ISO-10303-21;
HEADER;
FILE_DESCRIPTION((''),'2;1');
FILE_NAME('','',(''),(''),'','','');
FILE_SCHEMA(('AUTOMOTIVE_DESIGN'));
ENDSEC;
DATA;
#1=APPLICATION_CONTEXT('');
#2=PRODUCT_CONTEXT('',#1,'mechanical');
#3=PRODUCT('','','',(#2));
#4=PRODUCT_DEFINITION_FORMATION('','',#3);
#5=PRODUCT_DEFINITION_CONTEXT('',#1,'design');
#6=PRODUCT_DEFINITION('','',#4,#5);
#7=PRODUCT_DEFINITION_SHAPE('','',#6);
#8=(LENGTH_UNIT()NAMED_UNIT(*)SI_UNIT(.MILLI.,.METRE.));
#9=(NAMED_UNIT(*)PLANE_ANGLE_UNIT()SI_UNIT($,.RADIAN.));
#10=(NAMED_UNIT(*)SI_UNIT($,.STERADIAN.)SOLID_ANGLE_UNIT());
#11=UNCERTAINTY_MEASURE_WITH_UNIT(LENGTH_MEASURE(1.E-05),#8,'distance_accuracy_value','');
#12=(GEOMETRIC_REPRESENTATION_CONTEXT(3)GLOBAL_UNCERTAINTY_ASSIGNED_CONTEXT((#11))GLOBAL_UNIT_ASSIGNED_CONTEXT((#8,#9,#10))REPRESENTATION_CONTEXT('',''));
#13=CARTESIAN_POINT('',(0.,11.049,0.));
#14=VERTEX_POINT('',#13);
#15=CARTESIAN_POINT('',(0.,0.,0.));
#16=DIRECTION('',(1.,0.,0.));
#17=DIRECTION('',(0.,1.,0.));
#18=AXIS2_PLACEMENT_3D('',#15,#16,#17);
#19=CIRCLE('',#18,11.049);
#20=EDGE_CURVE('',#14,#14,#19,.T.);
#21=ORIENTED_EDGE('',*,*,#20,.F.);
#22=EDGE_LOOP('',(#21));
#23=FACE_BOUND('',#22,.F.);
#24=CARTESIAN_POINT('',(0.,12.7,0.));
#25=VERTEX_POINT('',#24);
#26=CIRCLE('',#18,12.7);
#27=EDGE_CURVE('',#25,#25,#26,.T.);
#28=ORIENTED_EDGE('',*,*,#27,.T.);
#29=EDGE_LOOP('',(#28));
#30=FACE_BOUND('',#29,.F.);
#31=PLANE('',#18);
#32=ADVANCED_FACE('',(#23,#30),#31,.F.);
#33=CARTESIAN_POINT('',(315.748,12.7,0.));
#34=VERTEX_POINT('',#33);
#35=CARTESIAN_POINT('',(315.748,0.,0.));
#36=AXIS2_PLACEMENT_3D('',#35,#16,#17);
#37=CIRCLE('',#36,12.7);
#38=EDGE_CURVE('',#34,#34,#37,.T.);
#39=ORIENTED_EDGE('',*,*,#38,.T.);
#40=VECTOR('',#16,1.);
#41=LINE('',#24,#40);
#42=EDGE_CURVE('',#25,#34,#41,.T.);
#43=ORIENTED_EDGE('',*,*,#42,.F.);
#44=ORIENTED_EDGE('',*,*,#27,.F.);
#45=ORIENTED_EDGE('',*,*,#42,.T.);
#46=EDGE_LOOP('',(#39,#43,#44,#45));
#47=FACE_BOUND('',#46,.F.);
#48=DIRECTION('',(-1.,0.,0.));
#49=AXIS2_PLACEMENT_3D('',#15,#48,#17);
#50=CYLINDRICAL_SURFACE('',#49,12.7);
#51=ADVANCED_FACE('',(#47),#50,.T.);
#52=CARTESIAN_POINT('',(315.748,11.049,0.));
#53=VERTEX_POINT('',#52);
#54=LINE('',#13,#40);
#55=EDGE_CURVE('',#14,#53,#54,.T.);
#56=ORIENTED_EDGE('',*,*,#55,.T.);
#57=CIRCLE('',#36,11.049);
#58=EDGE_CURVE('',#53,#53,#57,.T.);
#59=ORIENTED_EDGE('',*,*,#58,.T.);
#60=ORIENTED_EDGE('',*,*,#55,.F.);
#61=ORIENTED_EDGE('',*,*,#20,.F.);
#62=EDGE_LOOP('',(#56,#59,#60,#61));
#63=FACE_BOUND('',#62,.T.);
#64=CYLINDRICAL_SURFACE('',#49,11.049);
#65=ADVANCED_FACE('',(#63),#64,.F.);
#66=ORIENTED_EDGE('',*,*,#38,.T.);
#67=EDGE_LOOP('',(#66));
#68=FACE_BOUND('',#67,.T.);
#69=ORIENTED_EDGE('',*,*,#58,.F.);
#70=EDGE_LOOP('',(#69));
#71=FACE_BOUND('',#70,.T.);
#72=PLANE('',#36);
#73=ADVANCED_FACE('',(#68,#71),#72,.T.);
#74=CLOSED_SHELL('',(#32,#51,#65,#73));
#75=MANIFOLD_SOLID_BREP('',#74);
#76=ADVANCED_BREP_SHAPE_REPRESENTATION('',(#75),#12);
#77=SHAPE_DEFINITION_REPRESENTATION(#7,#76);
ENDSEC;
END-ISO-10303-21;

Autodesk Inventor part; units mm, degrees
ref_plane "XZ Plane" through (0, 0, 0) normal (0, 1, 0) x (-1, 0, 0)
ref_plane "Start Plane" through (0, 0, 0) normal (1, 0, 0) x (0, 1, 0)
ref_plane "End Plane" through (315.748, 0, 0) normal (1, 0, 0) x (0, 1, 0)
sketch "Sketch" plane through (0, 0, 0) normal (1, 0, 0) x (0, 1, 0)
  circle A0 centre (0, 0) radius 12.7
  circle A1 centre (0, 0) radius 11.049
  dimension "d0" = 25.4
  dimension "d1" = 1.651
extrude "Body" add sketch "Sketch" along normal up to surface (315.748 mm away) from surface at 0
sketch "Sketch2" plane through (0, 0, 0) normal (1, 0, 0) x (0, 1, 0)
  line L0 (0, 0) -> (10, 0)
ref_plane "Work Plane3" through (0, 0, 0) normal (0, 0, -1) x (0, 1, 0)
sketch "Sketch3" plane through (0, 0, 0) normal (0, 0, -1) x (0, 1, 0)
  line L0 (-2, 0) -> (12, 0)
  line L1 (-2, 315.748) -> (12, 315.748)
  dimension "d9" = 315.748
equation "\"G_OFFSET_START\" = 0"
equation "\"G_OFFSET_END\" = 0"
equation "\"d5\" = d2 + G_OFFSET_END"
equation "\"G_L\" = d9"
equation "\"d2\" = 315.748"
properties part number "4130_1x0.065" material "Steel, Alloy"
